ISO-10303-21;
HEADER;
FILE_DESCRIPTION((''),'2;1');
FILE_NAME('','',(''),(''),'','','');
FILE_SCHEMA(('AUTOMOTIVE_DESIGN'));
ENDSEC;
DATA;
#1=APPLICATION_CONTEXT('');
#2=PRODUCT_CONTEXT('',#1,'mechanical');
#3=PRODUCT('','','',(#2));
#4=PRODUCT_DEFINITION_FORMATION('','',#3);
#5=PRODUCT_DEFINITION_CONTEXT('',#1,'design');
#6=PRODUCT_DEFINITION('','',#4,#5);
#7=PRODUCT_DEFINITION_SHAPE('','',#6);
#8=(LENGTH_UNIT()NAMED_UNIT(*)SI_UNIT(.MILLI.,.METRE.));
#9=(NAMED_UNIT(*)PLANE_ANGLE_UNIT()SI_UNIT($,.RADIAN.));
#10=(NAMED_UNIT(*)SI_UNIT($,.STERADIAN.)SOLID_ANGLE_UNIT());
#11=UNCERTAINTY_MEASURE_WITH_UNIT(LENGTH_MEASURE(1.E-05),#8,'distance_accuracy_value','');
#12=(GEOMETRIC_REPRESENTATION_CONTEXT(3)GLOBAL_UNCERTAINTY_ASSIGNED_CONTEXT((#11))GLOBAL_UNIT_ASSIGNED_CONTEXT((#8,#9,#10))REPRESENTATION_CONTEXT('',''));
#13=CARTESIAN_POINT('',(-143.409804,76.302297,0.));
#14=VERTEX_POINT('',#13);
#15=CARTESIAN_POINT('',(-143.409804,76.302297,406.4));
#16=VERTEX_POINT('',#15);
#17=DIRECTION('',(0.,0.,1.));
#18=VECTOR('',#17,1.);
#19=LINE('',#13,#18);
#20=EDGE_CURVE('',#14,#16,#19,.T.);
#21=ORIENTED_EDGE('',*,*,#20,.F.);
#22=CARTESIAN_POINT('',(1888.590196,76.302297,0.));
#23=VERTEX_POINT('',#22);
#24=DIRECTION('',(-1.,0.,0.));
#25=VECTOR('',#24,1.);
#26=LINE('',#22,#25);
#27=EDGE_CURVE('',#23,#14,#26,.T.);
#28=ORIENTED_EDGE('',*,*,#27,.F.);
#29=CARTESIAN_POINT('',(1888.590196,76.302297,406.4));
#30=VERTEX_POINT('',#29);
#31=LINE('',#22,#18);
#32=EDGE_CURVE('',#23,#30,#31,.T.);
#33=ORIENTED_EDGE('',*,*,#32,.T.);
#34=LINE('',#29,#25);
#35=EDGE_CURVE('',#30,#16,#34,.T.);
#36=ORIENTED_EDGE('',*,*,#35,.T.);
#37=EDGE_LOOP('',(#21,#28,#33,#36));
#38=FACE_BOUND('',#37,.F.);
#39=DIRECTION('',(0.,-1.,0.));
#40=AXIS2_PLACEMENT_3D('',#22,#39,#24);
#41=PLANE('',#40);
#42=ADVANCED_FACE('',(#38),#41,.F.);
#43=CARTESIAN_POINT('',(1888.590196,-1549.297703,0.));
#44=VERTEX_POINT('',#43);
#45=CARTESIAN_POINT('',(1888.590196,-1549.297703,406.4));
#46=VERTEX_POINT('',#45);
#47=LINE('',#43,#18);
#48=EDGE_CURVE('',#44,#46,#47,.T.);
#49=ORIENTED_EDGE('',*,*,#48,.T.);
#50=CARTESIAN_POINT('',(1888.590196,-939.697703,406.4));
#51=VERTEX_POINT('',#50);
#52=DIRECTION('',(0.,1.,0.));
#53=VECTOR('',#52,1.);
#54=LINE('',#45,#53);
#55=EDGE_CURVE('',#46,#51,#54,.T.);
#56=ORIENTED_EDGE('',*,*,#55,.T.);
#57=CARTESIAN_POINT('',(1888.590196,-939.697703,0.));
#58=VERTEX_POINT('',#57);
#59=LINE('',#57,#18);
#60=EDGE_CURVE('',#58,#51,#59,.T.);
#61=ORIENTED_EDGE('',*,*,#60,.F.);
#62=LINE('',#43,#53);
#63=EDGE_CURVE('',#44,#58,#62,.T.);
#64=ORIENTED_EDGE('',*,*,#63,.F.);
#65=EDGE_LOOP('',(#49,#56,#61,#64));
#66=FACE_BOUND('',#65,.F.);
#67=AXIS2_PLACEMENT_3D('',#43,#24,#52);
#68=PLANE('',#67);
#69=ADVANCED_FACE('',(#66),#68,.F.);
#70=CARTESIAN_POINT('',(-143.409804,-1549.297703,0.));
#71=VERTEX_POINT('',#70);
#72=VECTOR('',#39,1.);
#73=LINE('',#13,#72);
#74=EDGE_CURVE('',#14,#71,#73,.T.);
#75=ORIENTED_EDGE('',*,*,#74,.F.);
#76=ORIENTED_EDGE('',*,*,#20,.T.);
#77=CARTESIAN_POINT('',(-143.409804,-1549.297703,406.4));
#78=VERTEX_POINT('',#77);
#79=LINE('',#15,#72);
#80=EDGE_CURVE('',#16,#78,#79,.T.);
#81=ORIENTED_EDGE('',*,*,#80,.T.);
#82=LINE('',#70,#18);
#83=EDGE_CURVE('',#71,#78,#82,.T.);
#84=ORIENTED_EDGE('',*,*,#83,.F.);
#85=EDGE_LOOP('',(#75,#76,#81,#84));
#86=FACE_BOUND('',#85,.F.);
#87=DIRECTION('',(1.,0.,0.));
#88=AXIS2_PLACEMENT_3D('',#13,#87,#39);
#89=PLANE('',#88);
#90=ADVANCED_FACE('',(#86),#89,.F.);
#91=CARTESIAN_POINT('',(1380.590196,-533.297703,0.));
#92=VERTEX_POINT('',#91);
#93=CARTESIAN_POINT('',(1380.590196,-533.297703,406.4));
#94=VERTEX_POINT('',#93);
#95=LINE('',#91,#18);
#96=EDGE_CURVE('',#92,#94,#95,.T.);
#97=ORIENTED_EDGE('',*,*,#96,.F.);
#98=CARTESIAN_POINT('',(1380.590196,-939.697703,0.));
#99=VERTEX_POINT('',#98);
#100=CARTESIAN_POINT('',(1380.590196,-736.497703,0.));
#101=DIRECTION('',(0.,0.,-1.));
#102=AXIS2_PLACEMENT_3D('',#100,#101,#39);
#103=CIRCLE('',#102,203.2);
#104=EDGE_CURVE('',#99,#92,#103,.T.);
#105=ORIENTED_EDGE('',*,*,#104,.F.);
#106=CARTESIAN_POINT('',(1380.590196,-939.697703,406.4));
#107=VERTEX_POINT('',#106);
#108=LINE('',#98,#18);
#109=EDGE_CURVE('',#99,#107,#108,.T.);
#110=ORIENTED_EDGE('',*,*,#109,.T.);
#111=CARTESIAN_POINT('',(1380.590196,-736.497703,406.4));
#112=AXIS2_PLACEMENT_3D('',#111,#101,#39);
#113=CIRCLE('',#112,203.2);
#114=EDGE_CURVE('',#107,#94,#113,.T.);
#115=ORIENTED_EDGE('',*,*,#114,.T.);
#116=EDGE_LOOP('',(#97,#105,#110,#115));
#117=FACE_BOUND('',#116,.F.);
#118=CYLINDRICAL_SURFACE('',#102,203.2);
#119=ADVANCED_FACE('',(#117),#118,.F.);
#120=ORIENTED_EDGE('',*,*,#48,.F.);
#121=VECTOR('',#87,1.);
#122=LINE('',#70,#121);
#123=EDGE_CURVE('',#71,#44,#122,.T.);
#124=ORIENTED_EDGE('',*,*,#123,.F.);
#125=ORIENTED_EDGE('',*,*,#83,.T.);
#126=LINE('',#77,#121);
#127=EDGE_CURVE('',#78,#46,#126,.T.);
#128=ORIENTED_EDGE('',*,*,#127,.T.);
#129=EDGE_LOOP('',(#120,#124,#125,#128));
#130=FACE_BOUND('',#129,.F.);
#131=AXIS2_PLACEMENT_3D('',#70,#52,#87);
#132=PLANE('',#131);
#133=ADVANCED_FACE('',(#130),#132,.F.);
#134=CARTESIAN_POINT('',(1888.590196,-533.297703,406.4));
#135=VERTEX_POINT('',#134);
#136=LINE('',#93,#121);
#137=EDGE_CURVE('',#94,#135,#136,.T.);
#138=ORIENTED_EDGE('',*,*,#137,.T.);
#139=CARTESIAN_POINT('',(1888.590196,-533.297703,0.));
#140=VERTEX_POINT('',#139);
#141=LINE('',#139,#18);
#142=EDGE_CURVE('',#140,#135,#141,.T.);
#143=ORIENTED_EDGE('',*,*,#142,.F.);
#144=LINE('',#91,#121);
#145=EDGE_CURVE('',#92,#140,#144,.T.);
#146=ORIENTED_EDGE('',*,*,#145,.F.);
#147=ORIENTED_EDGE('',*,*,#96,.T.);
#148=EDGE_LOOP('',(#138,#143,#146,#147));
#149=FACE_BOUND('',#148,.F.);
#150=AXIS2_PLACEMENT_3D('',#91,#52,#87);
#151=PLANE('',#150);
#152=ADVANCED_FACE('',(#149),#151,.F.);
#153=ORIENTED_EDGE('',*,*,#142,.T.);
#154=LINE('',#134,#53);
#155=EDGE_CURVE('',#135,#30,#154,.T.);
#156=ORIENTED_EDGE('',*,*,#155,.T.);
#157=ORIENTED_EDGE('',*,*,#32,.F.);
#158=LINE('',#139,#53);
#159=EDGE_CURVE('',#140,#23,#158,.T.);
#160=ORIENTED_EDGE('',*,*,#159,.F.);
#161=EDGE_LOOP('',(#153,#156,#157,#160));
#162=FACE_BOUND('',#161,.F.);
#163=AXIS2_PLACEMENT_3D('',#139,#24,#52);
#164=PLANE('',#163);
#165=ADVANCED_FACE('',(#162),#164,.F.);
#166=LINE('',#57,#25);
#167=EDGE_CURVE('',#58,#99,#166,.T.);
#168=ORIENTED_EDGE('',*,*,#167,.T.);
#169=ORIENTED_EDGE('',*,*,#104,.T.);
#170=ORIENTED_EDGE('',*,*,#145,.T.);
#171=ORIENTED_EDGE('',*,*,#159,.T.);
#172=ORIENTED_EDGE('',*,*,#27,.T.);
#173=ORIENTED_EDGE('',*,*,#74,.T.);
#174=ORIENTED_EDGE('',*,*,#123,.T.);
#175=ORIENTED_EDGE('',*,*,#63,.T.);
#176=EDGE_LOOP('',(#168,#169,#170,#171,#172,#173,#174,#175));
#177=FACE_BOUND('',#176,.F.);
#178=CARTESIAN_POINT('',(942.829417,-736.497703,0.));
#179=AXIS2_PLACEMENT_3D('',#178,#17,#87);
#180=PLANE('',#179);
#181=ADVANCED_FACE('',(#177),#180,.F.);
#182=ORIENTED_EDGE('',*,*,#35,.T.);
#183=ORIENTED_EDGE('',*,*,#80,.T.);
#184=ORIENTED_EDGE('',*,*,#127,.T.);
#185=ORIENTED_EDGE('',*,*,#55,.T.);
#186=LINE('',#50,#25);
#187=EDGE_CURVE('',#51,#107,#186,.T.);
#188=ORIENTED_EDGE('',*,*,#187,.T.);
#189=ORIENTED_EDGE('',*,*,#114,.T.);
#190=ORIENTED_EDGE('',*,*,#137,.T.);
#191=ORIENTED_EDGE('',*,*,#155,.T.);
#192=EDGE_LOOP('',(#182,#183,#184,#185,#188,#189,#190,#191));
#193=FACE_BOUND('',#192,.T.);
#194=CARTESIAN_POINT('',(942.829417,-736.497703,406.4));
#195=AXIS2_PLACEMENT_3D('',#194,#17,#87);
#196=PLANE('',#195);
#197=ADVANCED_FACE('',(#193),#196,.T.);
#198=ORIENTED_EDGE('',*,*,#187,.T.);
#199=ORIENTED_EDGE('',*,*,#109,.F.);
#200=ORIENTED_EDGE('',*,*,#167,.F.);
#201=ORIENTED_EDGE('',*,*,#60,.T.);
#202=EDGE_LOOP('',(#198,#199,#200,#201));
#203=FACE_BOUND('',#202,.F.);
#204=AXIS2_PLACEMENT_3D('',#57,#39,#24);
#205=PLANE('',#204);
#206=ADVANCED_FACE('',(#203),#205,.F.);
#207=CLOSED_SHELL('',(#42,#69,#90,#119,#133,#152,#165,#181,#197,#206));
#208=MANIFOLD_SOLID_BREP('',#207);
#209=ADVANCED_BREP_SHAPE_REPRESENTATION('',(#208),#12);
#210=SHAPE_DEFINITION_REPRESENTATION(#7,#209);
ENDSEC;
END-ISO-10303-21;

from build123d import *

# Parameters (mm, degrees)
F1_DEPTH = 406.4


with BuildPart() as f1:
    # F0 (on Top) → F1 (new body)
    with BuildSketch(Plane.XY):
        with BuildLine():
            Line((1888.590196, 76.302297), (-143.409804, 76.302297))
            Line((-143.409804, 76.302297), (-143.409804, -1549.297703))
            Line((-143.409804, -1549.297703), (1888.590196, -1549.297703))
            Line((1888.590196, -1549.297703), (1888.590196, -939.697703))
            Line((1888.590196, -939.697703), (1380.590196, -939.697703))
            ThreePointArc((1380.590196, -939.697703), (1177.390196, -736.497703), (1380.590196, -533.297703))
            Line((1380.590196, -533.297703), (1888.590196, -533.297703))
            Line((1888.590196, -533.297703), (1888.590196, 76.302297))
        make_face()
    extrude(amount=F1_DEPTH)


solid = f1.part
